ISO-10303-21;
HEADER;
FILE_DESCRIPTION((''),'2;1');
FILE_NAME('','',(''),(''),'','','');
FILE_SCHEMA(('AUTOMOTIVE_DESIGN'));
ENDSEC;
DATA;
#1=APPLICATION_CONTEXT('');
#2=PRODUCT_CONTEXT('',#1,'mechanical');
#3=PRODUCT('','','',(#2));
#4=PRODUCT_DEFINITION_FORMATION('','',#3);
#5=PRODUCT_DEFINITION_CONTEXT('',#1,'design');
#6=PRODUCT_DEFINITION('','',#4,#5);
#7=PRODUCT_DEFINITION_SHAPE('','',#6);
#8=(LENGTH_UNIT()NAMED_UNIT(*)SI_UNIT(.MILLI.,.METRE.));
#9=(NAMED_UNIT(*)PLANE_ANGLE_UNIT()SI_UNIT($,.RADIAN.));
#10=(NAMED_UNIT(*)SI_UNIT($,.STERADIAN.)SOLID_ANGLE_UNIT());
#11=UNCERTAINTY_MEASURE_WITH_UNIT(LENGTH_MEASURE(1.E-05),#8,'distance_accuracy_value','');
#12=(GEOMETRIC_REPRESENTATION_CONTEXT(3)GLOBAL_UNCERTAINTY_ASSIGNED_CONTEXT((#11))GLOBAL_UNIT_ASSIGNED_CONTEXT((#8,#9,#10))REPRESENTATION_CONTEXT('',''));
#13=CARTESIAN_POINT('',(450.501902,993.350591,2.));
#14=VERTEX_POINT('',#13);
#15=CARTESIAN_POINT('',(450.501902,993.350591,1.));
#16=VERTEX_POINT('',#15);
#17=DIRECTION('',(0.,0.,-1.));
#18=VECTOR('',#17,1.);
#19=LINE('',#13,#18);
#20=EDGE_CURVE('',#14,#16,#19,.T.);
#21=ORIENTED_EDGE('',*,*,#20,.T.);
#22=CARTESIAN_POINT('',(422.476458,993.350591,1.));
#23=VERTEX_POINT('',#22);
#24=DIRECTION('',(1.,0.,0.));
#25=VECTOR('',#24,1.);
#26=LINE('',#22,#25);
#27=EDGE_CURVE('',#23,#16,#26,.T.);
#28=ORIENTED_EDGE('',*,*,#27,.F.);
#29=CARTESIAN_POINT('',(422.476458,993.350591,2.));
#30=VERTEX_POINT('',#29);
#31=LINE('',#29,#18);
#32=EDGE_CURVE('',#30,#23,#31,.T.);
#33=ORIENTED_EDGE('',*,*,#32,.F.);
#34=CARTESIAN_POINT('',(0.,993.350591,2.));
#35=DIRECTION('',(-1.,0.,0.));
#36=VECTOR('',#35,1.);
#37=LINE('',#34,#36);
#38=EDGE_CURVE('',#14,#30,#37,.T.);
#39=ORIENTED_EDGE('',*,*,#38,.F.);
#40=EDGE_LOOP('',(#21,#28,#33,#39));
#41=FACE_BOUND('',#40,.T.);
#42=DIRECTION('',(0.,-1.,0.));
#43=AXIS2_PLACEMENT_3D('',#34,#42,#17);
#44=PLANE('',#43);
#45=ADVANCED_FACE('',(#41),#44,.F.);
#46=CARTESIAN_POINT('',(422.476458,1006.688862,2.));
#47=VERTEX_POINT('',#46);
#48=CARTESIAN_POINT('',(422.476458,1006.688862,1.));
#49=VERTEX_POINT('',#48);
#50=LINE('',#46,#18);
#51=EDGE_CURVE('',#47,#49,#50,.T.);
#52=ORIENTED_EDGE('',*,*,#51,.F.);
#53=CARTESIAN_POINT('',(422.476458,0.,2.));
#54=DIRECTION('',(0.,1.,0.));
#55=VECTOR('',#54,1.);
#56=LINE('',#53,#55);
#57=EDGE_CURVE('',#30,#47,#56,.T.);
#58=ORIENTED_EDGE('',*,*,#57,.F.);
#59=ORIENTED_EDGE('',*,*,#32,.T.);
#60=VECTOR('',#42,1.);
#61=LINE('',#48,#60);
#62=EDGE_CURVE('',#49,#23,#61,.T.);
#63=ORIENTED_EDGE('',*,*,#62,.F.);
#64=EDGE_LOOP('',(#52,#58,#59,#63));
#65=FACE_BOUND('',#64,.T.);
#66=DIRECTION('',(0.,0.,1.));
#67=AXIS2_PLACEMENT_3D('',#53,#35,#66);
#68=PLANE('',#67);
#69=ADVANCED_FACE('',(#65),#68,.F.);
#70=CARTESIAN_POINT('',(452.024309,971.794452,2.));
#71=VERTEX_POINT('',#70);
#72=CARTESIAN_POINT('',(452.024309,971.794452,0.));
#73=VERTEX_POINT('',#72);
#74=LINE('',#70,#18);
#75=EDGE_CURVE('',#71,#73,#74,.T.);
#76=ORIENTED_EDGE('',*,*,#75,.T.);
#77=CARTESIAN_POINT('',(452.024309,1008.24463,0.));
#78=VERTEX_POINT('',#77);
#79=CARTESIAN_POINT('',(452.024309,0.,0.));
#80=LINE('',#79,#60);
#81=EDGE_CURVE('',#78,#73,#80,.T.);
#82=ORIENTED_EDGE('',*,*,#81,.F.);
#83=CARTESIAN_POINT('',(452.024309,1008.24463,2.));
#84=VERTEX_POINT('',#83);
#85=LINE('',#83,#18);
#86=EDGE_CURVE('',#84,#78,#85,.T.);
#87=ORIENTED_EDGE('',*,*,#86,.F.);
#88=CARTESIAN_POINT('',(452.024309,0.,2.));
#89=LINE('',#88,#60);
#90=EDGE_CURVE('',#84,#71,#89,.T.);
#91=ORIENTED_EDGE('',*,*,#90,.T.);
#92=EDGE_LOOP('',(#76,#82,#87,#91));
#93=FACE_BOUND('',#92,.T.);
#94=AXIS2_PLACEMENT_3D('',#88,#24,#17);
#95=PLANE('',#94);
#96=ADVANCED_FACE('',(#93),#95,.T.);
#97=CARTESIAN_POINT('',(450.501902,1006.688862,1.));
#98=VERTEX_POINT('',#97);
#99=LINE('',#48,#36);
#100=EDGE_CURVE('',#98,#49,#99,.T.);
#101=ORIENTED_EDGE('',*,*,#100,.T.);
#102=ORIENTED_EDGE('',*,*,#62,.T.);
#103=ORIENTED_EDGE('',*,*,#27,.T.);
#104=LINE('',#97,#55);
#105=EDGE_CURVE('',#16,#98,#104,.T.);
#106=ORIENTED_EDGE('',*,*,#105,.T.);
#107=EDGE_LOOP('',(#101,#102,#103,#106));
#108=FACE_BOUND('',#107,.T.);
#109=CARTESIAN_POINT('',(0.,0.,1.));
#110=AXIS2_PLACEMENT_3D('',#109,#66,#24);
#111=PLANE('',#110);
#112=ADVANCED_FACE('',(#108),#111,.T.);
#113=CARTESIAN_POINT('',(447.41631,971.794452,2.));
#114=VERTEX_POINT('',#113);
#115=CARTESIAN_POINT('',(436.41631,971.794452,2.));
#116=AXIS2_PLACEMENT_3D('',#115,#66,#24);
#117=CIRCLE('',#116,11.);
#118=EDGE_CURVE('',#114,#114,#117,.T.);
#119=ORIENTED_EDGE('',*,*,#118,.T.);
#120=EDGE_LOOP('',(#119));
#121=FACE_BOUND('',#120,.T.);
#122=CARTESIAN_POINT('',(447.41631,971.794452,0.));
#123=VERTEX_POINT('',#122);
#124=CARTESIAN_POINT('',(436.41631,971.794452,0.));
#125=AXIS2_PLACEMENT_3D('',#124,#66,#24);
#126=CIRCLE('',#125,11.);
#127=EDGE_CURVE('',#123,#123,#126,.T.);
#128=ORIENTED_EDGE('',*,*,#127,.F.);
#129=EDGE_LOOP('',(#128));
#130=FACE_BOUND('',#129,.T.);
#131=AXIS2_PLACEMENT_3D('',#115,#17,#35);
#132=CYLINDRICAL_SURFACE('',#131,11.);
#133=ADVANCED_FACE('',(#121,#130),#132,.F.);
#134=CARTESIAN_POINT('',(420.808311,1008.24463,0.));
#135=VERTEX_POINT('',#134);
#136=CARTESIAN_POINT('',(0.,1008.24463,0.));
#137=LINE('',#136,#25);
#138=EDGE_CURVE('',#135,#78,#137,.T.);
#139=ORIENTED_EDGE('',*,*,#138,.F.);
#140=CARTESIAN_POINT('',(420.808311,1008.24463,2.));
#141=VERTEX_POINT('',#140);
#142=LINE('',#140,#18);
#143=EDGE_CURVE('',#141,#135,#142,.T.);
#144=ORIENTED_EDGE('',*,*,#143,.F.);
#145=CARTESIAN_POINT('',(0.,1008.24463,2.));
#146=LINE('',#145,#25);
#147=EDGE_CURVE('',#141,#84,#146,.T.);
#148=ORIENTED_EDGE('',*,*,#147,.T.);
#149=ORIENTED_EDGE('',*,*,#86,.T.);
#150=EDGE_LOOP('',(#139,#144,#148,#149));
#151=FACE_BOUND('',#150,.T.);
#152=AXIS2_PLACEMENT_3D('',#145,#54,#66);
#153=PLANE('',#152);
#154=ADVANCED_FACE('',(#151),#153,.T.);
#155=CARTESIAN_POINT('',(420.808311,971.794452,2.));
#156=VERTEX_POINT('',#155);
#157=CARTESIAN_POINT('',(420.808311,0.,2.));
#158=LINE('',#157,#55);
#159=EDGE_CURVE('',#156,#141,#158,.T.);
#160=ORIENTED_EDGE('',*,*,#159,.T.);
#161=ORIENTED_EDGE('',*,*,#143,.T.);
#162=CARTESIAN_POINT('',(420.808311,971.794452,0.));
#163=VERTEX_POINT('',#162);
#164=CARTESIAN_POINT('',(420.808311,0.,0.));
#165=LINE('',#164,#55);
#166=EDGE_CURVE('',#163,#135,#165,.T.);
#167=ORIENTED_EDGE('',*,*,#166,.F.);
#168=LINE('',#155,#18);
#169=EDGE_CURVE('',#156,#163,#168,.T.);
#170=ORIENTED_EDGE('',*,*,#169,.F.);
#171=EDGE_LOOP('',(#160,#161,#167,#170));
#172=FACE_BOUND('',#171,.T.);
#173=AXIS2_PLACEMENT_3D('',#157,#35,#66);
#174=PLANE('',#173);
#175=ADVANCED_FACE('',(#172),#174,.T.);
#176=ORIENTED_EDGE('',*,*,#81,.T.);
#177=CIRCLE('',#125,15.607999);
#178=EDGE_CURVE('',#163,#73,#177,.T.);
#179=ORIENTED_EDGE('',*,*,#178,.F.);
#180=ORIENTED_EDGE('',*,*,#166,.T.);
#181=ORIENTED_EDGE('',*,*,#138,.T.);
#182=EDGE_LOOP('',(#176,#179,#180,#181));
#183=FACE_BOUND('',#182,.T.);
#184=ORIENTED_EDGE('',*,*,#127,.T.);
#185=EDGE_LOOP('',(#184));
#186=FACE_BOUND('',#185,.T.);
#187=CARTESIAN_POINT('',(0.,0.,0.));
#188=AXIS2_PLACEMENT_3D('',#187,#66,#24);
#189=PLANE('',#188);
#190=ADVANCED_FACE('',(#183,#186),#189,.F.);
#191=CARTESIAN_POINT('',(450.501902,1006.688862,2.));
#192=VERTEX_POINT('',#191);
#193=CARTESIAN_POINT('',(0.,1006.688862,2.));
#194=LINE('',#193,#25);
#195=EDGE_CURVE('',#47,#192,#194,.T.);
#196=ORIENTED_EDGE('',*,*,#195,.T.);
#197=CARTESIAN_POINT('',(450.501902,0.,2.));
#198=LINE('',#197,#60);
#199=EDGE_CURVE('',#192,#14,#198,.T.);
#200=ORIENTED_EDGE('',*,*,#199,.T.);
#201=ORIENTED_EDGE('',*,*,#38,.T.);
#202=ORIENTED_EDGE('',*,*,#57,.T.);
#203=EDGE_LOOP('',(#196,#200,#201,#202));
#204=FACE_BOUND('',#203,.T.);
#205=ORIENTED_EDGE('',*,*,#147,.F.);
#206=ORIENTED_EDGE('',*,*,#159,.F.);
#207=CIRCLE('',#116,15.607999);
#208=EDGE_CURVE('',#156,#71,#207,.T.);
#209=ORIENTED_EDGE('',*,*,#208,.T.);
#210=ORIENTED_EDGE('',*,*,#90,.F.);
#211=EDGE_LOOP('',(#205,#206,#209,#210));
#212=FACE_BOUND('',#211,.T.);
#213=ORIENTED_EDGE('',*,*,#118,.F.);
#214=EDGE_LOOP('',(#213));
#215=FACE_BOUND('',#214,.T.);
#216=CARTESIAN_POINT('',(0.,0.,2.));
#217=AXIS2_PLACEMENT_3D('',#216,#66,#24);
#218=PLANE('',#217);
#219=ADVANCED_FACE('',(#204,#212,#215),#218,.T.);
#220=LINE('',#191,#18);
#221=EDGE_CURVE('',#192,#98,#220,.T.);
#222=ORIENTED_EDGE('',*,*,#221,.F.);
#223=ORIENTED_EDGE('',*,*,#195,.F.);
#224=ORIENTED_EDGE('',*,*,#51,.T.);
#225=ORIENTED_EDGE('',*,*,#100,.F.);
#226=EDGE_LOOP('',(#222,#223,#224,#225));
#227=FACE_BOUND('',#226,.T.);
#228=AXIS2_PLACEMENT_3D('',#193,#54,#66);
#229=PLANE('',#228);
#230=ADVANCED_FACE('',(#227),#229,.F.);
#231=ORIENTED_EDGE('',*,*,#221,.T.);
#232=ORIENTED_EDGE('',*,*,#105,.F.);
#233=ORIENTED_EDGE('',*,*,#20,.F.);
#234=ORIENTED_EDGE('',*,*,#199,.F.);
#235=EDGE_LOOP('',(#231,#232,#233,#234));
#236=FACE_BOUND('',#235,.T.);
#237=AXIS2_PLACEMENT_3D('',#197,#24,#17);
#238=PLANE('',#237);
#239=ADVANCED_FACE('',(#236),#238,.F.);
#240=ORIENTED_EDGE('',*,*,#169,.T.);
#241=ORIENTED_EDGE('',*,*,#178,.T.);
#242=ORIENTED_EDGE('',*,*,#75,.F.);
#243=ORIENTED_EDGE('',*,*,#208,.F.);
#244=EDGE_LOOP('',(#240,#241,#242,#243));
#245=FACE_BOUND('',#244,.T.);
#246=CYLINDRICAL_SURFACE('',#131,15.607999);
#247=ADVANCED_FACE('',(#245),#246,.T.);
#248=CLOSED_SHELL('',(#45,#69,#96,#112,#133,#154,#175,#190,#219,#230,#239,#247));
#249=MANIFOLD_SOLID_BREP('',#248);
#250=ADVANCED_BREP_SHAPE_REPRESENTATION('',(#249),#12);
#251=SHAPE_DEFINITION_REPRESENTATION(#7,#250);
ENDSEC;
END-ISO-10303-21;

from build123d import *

# Parameters (mm, degrees)
SKETCH1_R           = 11
SKETCH1_W           = 28.025444105
SKETCH1_H           = 13.338271477
BOSS_EXTRUDE1_DEPTH = 2
SKETCH2_W           = 28.025444105
SKETCH2_H           = 13.338271477
BOSS_EXTRUDE2_DEPTH = 1


with BuildPart() as part:
    # Sketch1 → Boss-Extrude1 (new body)
    with BuildSketch(Plane.XY):
        with BuildLine():
            Line((420.808310711, 971.794452341), (420.808310711, 1008.244630448))
            Line((420.808310711, 1008.244630448), (452.024309123, 1008.244630448))
            Line((452.024309123, 1008.244630448), (452.024309123, 971.794452341))
            ThreePointArc((452.024309123, 971.794452341), (436.416309917, 956.186453136), (420.808310711, 971.794452341))
        make_face()
        with Locations((436.416309917, 971.794452341)):
            Circle(SKETCH1_R, mode=Mode.SUBTRACT)
        with Locations((436.489180342, 1000.019726734)):
            Rectangle(SKETCH1_W, SKETCH1_H, mode=Mode.SUBTRACT)
    extrude(amount=BOSS_EXTRUDE1_DEPTH)

    # Sketch2 → Boss-Extrude2 (add)
    with BuildSketch(Plane.XY):
        with Locations((436.489180342, 1000.019726734)):
            Rectangle(SKETCH2_W, SKETCH2_H)
    extrude(amount=BOSS_EXTRUDE2_DEPTH)


solid = part.part
